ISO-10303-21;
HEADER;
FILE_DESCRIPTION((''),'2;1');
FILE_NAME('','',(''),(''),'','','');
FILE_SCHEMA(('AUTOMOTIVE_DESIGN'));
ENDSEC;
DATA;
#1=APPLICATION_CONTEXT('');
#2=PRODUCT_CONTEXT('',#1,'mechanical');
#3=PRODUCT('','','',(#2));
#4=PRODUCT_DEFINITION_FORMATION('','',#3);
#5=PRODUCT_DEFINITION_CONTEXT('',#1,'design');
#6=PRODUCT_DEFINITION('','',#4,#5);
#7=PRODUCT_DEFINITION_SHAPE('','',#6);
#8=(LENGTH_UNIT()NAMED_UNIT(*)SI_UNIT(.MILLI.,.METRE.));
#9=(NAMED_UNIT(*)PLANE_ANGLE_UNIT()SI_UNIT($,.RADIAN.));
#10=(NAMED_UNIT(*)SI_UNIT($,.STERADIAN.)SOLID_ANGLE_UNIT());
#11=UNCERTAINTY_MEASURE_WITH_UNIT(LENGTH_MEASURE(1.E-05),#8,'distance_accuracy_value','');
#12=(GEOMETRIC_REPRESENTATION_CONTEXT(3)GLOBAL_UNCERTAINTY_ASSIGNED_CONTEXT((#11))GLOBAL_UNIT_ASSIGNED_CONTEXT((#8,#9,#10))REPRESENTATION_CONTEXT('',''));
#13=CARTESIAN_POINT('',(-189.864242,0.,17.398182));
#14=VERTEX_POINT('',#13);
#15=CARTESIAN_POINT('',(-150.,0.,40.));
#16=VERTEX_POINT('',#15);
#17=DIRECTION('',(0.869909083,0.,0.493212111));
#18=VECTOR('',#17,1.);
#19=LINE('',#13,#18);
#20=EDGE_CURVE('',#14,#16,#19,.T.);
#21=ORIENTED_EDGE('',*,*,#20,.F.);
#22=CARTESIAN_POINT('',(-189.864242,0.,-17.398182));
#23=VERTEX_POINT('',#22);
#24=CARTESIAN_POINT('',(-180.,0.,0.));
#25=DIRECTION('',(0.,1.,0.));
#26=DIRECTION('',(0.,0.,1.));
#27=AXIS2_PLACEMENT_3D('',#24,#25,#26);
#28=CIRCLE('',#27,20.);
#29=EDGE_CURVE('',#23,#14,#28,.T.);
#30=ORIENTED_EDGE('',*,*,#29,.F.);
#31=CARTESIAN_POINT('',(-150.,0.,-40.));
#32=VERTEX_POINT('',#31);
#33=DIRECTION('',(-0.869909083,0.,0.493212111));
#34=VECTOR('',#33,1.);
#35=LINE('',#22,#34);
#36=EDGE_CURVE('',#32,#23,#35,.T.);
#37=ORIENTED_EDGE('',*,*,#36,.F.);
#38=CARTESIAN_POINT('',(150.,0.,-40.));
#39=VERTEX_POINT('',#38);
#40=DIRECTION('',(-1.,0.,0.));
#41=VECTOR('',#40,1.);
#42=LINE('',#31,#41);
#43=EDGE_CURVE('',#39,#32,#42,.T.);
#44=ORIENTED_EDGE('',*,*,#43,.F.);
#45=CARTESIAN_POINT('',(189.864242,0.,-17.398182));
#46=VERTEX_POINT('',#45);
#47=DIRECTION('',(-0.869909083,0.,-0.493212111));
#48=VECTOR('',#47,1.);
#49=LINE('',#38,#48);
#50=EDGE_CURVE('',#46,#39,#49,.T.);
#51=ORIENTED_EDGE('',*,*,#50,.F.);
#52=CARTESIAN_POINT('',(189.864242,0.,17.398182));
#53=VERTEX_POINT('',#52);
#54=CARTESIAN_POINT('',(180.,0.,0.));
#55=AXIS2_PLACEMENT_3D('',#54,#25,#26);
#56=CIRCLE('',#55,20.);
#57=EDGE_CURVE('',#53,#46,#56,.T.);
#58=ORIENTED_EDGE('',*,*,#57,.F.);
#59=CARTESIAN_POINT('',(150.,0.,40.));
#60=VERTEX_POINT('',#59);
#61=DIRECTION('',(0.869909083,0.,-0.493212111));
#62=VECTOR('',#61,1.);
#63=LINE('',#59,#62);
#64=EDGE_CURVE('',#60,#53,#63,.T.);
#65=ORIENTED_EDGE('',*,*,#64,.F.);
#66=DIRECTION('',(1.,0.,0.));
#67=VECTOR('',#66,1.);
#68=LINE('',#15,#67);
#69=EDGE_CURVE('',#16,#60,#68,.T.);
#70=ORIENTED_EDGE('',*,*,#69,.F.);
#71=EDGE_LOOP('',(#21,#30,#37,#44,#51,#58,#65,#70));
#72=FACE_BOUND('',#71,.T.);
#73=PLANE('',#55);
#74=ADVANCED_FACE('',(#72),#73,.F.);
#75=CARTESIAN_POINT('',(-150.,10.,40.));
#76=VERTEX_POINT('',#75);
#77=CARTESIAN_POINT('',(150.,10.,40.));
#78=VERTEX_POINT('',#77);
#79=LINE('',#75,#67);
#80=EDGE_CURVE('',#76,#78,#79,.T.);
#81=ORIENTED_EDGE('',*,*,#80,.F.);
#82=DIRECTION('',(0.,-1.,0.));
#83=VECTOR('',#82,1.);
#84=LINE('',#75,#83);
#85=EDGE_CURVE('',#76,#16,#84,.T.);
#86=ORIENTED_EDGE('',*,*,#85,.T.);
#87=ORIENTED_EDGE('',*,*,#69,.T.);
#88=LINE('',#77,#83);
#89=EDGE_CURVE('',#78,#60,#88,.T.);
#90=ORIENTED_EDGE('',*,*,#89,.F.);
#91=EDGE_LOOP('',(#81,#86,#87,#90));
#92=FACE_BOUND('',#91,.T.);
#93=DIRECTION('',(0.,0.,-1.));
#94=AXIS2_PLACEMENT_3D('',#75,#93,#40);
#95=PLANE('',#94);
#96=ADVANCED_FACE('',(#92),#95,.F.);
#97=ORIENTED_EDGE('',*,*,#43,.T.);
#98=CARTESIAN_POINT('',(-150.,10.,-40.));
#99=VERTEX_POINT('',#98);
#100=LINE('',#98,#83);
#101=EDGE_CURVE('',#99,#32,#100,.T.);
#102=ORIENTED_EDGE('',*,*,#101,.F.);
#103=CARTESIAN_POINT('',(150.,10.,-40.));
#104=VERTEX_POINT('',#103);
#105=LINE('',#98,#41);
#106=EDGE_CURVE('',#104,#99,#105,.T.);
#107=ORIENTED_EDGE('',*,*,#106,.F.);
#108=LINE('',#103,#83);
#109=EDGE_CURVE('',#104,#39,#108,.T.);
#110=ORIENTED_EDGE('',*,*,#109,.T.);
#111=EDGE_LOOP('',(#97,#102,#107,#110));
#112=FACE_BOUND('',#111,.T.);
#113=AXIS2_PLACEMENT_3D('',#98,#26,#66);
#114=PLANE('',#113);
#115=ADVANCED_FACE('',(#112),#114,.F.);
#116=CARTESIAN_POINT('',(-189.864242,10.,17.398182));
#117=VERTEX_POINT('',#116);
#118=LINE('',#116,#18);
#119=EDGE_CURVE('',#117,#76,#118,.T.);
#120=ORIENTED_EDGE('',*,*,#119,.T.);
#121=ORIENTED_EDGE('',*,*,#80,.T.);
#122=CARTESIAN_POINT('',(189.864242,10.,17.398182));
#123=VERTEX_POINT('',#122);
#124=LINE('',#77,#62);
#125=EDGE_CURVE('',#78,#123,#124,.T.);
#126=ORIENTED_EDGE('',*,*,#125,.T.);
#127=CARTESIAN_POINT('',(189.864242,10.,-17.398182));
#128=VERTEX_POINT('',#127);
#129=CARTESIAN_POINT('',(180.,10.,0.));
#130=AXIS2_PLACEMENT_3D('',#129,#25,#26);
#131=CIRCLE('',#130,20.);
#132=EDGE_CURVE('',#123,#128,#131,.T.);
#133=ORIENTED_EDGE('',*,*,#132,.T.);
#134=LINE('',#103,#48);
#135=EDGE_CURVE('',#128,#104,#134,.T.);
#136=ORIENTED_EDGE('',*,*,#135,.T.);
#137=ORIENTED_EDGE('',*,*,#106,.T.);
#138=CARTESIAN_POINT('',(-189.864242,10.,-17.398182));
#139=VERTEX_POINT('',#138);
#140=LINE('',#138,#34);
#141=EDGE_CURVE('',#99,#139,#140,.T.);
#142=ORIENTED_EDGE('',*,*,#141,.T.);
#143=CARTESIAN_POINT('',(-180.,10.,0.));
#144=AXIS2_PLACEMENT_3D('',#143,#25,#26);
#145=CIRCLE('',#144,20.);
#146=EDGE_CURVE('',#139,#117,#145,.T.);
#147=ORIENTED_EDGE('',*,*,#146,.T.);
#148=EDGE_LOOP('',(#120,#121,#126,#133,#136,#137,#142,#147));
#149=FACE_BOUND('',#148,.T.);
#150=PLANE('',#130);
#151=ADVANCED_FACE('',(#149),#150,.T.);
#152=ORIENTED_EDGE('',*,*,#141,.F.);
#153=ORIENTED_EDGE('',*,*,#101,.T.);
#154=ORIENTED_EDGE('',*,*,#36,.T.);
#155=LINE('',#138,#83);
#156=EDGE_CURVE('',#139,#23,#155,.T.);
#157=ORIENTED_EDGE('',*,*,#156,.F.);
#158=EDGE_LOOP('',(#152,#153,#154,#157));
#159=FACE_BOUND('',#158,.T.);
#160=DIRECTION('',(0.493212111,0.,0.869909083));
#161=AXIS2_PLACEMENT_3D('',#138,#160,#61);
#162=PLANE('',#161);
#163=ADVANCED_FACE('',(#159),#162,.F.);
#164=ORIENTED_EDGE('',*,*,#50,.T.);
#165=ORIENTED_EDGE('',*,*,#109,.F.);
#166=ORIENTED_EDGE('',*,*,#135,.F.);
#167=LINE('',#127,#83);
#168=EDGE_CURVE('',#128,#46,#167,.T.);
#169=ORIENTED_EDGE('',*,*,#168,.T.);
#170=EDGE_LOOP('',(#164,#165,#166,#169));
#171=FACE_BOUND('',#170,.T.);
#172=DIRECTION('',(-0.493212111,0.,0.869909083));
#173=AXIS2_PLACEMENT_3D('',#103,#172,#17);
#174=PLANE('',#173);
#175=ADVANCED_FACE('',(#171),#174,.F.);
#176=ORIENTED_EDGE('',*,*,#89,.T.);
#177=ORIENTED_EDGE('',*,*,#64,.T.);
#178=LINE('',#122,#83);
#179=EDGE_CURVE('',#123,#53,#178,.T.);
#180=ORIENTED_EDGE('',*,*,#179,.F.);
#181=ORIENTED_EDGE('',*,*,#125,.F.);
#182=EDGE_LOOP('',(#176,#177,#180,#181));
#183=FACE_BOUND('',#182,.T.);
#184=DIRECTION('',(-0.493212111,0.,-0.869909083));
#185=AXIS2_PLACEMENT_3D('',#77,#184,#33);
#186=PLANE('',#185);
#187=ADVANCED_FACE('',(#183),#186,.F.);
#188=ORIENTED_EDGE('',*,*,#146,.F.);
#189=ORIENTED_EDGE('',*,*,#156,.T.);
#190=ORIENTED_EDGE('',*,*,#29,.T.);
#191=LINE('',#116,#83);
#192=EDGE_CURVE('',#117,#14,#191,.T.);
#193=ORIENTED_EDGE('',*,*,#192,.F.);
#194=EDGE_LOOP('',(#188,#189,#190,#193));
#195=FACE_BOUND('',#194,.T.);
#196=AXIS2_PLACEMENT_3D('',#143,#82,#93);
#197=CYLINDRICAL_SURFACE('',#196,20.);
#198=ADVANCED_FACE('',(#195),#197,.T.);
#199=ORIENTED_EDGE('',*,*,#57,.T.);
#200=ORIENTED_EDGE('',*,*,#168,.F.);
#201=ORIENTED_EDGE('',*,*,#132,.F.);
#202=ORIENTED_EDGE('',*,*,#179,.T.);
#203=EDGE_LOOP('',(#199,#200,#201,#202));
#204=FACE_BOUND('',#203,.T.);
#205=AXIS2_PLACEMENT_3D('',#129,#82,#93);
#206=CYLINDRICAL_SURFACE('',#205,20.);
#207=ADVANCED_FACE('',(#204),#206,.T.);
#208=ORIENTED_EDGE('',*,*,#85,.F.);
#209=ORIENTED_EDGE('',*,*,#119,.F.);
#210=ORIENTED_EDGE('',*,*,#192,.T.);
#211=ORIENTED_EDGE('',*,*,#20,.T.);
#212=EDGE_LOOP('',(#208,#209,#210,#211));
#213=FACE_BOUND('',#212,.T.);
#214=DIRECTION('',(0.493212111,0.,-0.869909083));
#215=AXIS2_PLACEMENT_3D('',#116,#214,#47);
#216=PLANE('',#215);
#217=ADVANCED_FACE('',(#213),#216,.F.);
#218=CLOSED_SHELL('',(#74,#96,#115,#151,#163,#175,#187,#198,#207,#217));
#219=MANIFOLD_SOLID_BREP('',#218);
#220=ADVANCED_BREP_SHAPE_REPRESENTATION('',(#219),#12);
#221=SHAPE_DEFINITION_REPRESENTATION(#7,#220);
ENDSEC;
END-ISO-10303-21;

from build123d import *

# Parameters (mm, degrees)
EXTRUDE_1_DEPTH = 10


with BuildPart() as part:
    # 草图1 → 凸台-拉伸1 (new body)
    with BuildSketch(Plane(origin=(0, 0, 0), x_dir=(1, 0, 0), z_dir=(0, 1, 0))):
        with BuildLine():
            Line((-189.864242224, 17.398181668), (-150, 40))
            Line((-150, 40), (150, 40))
            Line((150, 40), (189.864242224, 17.398181668))
            ThreePointArc((189.864242224, 17.398181668), (200, 0), (189.864242224, -17.398181668))
            Line((189.864242224, -17.398181668), (150, -40))
            Line((150, -40), (-150, -40))
            Line((-150, -40), (-189.864242224, -17.398181668))
            ThreePointArc((-189.864242224, -17.398181668), (-200, 0), (-189.864242224, 17.398181668))
        make_face()
    extrude(amount=EXTRUDE_1_DEPTH)


solid = part.part
